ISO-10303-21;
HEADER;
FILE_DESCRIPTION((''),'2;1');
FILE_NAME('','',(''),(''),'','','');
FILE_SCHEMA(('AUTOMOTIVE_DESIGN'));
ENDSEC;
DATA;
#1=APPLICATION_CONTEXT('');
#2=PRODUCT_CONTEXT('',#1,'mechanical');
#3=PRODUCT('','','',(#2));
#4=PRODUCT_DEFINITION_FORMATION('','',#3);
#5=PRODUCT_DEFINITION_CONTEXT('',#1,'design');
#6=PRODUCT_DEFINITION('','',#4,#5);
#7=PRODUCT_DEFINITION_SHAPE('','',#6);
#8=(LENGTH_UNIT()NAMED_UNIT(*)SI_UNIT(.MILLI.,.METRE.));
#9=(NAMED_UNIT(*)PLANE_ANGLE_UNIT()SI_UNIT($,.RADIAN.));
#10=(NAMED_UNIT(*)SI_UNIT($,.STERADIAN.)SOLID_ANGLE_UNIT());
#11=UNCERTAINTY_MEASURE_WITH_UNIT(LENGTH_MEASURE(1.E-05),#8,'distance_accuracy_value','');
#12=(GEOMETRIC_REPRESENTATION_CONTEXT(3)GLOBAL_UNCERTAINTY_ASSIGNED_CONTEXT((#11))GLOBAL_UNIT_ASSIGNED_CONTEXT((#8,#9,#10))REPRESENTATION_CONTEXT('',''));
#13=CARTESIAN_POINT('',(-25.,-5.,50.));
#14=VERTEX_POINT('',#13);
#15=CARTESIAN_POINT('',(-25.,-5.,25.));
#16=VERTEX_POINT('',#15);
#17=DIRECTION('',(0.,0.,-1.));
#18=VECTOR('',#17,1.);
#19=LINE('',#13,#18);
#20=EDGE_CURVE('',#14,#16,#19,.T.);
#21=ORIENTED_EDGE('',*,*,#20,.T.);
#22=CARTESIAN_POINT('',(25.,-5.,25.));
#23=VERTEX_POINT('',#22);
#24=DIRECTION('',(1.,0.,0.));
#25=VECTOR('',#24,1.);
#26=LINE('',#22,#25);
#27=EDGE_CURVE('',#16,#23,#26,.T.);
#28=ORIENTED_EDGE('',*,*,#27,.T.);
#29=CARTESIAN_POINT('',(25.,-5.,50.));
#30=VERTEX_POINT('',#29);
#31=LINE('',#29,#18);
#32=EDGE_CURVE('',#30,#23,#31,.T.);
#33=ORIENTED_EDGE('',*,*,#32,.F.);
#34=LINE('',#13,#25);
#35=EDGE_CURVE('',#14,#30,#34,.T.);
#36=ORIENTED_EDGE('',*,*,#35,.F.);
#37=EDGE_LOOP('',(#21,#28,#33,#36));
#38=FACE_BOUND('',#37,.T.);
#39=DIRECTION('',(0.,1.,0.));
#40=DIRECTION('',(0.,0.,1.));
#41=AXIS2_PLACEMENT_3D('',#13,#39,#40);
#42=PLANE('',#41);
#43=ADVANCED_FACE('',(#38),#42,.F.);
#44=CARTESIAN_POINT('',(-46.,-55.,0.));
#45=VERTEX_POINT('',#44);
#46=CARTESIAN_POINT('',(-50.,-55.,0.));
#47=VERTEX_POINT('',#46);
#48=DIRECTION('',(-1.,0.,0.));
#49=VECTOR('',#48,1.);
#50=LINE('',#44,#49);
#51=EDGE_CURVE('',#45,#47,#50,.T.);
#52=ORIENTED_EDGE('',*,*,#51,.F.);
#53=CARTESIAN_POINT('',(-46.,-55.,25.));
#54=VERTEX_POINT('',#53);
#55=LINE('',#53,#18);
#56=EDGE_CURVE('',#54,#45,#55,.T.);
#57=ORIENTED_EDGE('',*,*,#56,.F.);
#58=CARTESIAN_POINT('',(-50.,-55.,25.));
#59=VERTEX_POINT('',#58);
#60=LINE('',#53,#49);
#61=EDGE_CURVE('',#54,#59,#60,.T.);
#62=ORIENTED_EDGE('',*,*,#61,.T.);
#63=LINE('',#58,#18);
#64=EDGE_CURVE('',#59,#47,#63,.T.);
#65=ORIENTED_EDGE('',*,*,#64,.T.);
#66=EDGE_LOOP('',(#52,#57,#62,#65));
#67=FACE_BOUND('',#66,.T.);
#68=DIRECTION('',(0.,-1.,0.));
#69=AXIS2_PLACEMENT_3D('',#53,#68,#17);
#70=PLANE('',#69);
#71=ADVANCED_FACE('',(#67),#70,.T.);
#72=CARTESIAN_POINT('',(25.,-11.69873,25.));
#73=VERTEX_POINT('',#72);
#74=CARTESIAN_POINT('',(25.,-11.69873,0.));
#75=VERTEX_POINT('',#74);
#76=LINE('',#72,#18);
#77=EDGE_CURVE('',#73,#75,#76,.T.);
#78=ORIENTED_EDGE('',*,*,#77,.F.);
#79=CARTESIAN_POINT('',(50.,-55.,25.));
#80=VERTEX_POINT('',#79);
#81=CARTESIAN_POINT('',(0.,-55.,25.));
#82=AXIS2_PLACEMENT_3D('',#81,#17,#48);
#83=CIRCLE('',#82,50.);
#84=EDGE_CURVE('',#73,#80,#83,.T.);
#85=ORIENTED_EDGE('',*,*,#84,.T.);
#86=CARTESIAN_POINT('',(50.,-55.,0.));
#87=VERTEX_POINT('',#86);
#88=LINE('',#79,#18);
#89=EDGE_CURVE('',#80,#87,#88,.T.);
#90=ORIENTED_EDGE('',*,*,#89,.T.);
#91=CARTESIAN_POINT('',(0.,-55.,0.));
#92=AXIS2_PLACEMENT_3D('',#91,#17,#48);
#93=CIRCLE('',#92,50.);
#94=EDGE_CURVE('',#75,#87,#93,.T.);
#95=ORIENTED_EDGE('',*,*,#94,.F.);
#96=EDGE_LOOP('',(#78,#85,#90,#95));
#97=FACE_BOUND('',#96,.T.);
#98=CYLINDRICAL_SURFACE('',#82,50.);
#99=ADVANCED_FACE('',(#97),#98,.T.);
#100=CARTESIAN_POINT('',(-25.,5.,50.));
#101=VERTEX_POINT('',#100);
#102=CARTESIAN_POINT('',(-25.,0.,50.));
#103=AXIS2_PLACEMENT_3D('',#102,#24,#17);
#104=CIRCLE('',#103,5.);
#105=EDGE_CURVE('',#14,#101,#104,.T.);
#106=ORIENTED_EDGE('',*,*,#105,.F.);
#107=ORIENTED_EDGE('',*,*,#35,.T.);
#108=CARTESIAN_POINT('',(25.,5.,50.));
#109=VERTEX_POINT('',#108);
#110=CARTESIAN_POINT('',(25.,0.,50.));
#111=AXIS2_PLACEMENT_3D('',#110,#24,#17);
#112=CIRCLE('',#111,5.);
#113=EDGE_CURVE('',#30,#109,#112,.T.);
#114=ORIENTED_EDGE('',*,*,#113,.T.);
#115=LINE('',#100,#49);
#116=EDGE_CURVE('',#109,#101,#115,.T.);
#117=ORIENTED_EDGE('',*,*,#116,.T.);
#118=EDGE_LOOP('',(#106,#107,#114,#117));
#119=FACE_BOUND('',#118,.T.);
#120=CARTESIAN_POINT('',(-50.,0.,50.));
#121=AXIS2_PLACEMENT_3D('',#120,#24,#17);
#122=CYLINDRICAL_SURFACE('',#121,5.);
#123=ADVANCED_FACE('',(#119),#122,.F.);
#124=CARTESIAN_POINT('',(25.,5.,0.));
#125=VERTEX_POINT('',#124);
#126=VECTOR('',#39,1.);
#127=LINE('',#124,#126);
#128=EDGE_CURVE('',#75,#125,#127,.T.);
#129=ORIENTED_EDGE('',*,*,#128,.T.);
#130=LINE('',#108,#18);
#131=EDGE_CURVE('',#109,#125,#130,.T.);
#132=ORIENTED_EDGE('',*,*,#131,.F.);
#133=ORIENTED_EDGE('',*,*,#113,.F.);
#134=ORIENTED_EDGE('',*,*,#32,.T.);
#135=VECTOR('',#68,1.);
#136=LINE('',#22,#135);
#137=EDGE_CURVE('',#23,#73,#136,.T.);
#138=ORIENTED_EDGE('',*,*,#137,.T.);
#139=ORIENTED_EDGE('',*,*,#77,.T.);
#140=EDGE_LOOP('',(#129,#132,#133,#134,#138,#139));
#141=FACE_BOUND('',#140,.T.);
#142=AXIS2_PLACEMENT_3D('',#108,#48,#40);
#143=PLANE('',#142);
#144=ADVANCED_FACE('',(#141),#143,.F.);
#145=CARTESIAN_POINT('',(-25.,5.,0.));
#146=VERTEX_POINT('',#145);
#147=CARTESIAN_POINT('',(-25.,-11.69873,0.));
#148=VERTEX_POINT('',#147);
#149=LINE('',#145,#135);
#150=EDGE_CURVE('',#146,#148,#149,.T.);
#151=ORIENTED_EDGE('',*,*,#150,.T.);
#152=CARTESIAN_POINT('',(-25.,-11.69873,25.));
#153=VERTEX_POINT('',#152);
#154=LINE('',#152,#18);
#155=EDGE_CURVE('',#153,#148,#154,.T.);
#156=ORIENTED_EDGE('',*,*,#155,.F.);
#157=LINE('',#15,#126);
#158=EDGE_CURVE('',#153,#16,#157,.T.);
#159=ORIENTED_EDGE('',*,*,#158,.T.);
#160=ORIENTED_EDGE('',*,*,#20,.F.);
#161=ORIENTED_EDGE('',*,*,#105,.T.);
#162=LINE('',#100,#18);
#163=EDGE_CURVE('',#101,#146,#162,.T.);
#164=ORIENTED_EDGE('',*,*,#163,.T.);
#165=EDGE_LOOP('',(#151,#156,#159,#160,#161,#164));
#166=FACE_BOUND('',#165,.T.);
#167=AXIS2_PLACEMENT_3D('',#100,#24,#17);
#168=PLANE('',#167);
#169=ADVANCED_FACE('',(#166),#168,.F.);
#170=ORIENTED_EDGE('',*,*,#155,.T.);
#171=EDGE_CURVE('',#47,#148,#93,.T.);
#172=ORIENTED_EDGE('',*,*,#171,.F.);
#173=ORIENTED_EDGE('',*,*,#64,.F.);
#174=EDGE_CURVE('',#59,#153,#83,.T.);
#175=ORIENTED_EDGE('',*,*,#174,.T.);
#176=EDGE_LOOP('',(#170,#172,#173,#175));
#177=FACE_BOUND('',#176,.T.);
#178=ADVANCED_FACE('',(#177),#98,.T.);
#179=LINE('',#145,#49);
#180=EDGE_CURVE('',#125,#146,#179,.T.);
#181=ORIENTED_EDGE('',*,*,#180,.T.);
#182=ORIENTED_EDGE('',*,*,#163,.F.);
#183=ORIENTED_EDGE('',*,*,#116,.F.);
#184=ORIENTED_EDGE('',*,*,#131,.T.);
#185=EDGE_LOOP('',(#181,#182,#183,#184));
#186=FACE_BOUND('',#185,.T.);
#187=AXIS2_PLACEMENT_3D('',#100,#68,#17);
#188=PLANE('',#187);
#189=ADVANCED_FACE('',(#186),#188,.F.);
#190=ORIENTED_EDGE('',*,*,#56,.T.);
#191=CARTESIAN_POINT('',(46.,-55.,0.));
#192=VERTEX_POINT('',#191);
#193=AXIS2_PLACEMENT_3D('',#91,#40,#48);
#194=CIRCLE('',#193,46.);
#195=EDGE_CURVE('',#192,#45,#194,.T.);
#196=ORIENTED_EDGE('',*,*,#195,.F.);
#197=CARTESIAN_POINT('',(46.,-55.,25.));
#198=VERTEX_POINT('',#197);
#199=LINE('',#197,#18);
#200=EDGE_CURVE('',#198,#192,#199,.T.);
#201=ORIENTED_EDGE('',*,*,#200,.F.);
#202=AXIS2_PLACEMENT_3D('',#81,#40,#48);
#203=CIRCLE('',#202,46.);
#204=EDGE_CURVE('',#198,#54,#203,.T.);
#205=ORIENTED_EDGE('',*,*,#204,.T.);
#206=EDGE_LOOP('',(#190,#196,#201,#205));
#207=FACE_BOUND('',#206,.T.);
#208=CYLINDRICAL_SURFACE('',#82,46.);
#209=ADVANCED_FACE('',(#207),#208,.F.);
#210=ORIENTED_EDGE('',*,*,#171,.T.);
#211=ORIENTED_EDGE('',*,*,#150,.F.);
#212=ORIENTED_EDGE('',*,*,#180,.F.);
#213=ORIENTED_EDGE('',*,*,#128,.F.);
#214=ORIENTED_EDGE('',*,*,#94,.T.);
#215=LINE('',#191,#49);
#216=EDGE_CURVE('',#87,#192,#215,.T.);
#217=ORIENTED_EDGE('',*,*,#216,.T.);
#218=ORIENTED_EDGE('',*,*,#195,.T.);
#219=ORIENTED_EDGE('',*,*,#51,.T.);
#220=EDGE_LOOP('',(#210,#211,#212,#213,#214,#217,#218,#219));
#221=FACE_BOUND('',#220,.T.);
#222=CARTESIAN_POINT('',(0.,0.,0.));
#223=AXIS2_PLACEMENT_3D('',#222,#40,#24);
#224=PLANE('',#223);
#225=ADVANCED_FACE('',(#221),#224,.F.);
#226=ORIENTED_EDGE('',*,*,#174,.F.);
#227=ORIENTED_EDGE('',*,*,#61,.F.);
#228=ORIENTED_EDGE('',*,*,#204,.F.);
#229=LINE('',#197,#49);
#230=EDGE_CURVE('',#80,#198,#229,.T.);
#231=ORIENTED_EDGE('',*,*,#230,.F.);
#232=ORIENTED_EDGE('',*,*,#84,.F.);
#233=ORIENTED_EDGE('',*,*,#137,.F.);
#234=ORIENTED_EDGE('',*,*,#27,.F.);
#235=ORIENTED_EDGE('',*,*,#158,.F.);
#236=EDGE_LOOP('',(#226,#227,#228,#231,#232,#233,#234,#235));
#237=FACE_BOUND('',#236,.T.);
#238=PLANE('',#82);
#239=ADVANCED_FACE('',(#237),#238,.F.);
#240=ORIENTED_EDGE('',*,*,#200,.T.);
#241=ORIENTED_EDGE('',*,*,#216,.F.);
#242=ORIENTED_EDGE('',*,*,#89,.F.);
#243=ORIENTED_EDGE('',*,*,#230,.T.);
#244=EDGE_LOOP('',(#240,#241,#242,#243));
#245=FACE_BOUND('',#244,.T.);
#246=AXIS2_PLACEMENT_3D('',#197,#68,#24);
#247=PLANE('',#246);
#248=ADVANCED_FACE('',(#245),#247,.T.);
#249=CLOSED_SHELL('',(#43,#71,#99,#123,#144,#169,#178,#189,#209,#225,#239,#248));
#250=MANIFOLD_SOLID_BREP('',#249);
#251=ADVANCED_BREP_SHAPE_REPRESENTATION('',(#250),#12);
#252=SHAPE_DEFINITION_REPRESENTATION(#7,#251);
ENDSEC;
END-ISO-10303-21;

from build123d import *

# Parameters (mm, degrees)
SKETCH_1_W          = 50
SKETCH_1_H          = 10
EXTRUDE_1_DEPTH     = 50
EXTRUDE_3_DEPTH     = 25
SKETCH_5_R          = 5
CUT_EXTRUDE_2_DEPTH = 106.59356041


with BuildPart() as part:
    # 草图1 → 凸台-拉伸1 (new body)
    with BuildSketch(Plane.XY):
        Rectangle(SKETCH_1_W, SKETCH_1_H)
    extrude(amount=EXTRUDE_1_DEPTH)

    # 草图4 → 凸台-拉伸3 (add)
    with BuildSketch(Plane(origin=(0, 0, 0), x_dir=(-1, 0, 0), z_dir=(0, 0, -1))):
        with BuildLine():
            Line((-25, -5), (25, -5))
            Line((25, -5), (25, -11.698729811))
            ThreePointArc((25, -11.698729811), (43.301270189, -30), (50, -55))
            Line((50, -55), (46, -55))
            ThreePointArc((46, -55), (0, -9), (-46, -55))
            Line((-46, -55), (-50, -55))
            ThreePointArc((-50, -55), (-43.301270189, -30), (-25, -11.698729811))
            Line((-25, -11.698729811), (-25, -5))
        make_face()
    extrude(amount=-EXTRUDE_3_DEPTH)

    # 草图5 → 切除-拉伸2 (cut, through all)
    with BuildSketch(Plane(origin=(25, 0, 0), x_dir=(0, 0, -1), z_dir=(1, 0, 0))):
        with Locations((-50, 0)):
            Circle(SKETCH_5_R)
    extrude(amount=-CUT_EXTRUDE_2_DEPTH, mode=Mode.SUBTRACT)


solid = part.part
